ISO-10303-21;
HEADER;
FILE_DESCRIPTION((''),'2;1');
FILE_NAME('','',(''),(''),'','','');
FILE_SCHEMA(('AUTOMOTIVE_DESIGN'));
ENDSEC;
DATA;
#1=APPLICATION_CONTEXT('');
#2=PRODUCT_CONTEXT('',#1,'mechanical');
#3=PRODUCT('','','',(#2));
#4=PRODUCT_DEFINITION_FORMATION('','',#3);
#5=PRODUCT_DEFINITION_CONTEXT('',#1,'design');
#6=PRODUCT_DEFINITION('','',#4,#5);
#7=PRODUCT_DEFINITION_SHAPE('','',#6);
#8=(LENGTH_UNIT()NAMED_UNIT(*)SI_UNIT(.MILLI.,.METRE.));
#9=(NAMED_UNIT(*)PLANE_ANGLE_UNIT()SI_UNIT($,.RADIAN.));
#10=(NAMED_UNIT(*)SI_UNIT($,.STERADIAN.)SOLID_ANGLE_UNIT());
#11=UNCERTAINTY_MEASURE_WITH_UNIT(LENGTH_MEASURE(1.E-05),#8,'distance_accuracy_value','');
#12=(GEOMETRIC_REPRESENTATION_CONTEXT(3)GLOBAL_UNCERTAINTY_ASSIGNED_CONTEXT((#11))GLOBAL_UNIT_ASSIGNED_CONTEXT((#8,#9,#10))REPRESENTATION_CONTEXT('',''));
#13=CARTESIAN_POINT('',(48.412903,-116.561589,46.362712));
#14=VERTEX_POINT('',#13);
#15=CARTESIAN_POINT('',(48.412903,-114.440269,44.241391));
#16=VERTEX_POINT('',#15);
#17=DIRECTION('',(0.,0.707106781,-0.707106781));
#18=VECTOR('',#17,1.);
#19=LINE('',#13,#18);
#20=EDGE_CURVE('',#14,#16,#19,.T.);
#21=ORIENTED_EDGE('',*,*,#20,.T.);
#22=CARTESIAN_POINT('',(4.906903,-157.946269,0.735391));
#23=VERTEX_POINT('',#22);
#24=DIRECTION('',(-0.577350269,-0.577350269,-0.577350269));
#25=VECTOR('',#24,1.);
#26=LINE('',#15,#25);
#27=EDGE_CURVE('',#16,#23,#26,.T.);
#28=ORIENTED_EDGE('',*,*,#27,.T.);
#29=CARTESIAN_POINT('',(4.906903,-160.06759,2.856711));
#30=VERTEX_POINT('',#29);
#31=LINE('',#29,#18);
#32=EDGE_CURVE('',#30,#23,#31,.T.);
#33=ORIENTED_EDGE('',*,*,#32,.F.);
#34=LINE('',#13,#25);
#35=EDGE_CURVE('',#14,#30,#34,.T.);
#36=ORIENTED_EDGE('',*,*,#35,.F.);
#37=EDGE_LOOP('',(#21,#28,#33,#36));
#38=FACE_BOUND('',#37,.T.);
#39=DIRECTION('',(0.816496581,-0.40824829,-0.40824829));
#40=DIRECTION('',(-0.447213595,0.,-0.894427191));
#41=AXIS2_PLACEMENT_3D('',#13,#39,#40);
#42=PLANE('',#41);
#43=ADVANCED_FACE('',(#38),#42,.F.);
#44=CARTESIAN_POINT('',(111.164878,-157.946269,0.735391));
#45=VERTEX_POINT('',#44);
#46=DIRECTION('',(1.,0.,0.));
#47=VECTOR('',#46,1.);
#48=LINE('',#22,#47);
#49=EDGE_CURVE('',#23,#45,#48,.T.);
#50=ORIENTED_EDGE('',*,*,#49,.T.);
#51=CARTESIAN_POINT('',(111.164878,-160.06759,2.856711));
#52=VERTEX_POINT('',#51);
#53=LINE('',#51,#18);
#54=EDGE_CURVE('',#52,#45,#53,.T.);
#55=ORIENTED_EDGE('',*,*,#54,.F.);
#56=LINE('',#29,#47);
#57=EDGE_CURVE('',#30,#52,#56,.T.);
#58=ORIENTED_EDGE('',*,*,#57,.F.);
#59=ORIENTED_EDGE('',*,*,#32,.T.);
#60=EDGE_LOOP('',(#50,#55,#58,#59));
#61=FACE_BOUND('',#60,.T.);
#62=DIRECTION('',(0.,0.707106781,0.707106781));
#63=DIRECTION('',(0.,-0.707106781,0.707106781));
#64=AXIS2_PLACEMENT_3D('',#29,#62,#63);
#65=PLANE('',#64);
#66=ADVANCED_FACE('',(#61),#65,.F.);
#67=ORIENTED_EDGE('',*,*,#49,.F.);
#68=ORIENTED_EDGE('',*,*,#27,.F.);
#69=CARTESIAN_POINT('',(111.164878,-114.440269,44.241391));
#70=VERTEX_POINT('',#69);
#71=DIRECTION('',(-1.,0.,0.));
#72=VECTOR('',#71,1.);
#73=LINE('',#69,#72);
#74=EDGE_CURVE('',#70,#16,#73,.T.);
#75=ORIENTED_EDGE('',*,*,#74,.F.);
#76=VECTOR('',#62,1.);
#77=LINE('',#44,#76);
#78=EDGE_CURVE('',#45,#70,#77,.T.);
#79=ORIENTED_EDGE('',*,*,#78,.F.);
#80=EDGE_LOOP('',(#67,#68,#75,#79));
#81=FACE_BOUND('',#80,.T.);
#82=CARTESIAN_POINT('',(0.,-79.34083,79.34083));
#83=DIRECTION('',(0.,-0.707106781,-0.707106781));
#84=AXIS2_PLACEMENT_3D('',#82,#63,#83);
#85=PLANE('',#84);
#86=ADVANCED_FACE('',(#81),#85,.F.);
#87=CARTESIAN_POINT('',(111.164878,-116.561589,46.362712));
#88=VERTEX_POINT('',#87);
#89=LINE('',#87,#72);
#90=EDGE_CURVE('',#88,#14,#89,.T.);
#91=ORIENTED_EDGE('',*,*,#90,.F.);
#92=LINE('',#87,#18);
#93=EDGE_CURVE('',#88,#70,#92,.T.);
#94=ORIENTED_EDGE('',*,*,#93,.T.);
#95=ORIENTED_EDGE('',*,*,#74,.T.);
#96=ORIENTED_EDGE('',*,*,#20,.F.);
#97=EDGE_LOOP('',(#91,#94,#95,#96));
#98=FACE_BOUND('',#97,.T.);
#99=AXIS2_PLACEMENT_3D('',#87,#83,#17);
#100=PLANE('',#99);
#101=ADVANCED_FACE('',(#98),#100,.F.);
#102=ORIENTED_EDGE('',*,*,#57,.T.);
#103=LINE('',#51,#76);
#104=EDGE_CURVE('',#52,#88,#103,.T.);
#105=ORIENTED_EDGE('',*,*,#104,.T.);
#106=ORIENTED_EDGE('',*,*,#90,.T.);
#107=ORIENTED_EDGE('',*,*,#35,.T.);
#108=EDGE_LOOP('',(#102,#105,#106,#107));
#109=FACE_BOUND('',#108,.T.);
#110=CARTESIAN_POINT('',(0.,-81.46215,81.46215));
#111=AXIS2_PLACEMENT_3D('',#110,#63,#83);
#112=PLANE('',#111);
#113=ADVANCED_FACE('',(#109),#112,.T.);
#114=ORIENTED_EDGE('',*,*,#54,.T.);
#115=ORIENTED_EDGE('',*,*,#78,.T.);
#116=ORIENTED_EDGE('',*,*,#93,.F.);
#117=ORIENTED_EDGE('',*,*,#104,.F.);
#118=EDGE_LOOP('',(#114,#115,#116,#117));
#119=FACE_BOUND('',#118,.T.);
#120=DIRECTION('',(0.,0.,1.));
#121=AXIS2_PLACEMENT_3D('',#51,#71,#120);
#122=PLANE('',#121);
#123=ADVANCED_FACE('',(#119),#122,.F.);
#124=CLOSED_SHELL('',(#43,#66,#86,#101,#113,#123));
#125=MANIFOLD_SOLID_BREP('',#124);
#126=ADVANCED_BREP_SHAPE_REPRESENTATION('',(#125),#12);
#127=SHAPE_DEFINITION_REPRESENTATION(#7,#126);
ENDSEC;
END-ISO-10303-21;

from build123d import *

# Parameters (mm, degrees)
BOSS_EXTRUDE1_DEPTH = 1.5


with BuildPart() as part:
    # Sketch1 → Boss-Extrude1 (new body, symmetric)
    with BuildSketch(Plane(origin=(0, -80.401490288, 80.401490288), x_dir=(-1, 0, 0), z_dir=(0, -0.707106781, 0.707106781))):
        Polygon((-111.164878, 111.164878), (-111.164878, 49.638102576), (-48.412903325, 49.638102576), (-4.906903198, 111.164878), align=None)
    extrude(amount=BOSS_EXTRUDE1_DEPTH, both=True)


solid = part.part
